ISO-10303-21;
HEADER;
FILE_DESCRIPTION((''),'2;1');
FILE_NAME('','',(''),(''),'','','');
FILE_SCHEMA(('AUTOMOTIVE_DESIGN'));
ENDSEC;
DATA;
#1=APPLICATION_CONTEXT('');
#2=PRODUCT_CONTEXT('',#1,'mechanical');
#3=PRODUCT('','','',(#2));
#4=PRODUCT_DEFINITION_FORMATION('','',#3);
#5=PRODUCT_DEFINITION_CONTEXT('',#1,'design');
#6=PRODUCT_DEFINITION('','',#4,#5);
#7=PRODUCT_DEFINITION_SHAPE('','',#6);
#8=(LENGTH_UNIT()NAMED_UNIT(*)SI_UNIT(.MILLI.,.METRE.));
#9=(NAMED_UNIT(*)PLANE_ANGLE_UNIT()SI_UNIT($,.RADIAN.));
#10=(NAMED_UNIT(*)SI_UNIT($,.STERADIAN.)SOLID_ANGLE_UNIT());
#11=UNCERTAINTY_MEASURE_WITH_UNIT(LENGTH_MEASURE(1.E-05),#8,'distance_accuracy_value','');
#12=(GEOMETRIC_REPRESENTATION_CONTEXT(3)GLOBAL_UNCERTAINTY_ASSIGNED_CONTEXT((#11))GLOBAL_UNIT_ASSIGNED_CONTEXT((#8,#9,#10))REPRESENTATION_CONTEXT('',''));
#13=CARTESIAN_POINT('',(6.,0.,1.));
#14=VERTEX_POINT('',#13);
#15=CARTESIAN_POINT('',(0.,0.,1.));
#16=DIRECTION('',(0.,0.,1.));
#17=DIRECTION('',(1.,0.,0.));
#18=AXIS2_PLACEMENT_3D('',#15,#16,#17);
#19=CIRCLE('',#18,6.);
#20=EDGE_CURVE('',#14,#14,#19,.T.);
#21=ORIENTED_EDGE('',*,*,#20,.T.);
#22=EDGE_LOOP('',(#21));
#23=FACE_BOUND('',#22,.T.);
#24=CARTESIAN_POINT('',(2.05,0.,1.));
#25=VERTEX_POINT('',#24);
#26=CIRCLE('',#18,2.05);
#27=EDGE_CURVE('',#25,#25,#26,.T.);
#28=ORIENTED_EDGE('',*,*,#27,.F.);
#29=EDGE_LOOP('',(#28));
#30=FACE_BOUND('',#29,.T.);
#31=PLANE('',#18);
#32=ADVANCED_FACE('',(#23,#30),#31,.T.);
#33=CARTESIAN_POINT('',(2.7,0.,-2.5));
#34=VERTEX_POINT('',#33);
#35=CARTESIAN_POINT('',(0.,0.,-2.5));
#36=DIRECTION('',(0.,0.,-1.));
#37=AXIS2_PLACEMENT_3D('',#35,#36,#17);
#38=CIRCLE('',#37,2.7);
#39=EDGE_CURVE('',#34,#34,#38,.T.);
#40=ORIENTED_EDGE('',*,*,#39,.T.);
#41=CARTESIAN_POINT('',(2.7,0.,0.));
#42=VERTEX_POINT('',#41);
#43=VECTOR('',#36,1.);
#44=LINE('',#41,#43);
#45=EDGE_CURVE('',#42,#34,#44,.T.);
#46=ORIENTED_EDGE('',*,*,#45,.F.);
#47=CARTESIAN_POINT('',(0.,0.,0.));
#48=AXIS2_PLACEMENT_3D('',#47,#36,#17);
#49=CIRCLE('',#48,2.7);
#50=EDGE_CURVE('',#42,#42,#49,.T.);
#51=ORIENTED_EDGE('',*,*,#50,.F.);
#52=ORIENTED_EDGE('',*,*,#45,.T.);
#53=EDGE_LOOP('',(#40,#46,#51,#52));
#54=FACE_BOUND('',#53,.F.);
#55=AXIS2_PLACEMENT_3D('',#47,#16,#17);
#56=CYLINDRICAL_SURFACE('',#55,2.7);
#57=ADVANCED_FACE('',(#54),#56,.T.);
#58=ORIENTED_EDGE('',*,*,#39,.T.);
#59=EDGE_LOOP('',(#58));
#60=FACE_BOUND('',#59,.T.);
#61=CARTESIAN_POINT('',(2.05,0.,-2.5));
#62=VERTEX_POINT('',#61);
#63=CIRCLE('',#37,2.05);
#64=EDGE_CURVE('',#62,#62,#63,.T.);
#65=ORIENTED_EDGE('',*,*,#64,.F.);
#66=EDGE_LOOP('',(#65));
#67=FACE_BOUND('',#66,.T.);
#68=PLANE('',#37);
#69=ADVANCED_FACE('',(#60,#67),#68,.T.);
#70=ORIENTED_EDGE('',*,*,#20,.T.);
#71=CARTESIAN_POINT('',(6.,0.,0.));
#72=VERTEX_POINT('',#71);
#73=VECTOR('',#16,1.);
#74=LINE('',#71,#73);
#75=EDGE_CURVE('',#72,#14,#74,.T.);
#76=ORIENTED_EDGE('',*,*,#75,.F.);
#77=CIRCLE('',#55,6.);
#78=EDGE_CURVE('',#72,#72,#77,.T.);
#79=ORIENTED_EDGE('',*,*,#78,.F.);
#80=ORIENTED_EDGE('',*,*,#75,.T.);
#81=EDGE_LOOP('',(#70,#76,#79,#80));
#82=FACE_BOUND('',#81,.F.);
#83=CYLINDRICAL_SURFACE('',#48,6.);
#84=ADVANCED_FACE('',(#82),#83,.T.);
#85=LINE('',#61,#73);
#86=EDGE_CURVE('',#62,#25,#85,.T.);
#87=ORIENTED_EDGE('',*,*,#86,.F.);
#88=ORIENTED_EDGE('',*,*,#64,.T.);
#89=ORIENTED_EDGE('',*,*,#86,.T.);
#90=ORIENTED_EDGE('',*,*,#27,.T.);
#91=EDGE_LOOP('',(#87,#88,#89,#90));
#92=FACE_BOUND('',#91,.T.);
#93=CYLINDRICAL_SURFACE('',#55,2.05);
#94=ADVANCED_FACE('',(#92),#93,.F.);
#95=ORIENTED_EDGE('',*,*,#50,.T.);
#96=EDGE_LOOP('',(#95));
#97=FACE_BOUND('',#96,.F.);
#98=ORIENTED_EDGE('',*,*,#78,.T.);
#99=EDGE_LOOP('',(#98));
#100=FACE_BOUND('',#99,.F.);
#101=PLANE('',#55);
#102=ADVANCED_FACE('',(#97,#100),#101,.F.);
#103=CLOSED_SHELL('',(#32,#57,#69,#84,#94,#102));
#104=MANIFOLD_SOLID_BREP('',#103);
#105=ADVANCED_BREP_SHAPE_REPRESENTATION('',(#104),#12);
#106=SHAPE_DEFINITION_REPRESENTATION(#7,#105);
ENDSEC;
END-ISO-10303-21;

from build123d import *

# Parameters (mm, degrees)
SKETCH_R      = 6
SKETCH_R_2    = 2.05
PAD_DEPTH     = 1
SKETCH001_R   = 2.7
SKETCH001_R_2 = 2.05
PAD001_DEPTH  = 2.5


with BuildPart() as part:
    # Sketch → Pad (new body)
    with BuildSketch(Plane.XY):
        Circle(SKETCH_R)
        Circle(SKETCH_R_2, mode=Mode.SUBTRACT)
    extrude(amount=PAD_DEPTH)

    # Sketch001 (on Face3 of Pad) → Pad001 (join)
    with BuildSketch(Plane(origin=(0, 0, 0), x_dir=(1, 0, 0), z_dir=(0, 0, -1))):
        Circle(SKETCH001_R)
        Circle(SKETCH001_R_2, mode=Mode.SUBTRACT)
    extrude(amount=PAD001_DEPTH)


solid = part.part
